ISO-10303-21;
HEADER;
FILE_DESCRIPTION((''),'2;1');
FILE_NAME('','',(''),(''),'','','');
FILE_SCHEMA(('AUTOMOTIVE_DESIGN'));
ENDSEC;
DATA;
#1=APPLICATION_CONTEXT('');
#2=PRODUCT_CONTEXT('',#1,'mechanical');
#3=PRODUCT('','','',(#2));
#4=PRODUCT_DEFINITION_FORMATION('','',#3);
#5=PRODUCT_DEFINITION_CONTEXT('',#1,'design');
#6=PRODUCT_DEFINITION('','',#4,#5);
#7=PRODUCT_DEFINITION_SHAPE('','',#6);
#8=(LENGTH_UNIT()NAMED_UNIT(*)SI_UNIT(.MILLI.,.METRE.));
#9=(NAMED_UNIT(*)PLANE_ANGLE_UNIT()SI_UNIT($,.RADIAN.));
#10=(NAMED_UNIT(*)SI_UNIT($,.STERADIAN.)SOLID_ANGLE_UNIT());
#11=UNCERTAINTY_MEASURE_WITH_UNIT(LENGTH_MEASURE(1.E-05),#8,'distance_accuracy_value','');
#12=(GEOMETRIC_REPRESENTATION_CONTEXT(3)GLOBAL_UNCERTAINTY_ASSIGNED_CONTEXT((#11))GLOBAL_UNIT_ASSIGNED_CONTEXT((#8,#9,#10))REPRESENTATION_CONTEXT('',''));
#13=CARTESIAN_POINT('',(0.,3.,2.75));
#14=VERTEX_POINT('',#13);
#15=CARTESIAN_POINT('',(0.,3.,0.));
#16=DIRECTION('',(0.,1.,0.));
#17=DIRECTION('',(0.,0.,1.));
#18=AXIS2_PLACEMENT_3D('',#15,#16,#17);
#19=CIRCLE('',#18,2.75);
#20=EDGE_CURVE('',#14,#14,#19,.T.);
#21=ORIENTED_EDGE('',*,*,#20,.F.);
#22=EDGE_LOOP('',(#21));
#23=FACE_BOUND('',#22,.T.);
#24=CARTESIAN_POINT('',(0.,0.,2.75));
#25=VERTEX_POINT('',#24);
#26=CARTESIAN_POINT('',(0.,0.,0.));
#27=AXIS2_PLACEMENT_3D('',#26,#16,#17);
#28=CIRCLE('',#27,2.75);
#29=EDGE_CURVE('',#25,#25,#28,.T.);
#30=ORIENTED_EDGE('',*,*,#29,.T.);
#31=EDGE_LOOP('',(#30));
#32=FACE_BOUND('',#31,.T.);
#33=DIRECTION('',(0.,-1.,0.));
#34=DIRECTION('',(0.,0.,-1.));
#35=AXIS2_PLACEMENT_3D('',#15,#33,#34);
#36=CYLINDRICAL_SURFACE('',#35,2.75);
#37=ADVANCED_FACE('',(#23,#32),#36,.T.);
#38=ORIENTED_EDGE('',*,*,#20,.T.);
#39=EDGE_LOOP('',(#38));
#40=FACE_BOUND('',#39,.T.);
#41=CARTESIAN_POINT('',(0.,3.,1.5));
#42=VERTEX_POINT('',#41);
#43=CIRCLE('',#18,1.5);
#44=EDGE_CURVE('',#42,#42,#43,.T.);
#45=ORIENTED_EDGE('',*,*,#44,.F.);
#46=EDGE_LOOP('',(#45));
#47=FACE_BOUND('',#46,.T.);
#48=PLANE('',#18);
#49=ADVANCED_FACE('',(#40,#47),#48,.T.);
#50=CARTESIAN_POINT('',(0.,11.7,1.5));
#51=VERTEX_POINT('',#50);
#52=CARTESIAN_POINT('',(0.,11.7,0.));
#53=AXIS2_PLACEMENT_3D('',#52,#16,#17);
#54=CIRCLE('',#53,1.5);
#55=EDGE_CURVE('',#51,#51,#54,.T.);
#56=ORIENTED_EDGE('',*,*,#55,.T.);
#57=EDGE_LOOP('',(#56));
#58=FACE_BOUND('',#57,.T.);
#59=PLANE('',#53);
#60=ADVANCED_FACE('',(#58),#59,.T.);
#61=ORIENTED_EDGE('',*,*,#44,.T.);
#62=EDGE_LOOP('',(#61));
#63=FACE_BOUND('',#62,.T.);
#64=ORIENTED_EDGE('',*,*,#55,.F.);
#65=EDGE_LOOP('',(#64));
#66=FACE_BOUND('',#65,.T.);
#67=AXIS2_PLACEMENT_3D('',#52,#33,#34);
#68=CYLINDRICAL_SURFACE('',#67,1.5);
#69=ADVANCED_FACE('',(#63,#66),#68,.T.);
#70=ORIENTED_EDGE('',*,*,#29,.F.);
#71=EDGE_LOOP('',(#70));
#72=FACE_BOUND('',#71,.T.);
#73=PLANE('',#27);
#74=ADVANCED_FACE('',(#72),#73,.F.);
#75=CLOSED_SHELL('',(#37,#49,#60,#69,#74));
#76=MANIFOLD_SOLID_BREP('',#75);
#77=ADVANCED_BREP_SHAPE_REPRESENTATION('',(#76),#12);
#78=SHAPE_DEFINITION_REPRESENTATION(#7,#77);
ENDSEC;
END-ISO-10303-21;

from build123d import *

# Parameters (mm, degrees)
SKETCH1_R           = 2.75
BOSS_EXTRUDE1_DEPTH = 3
SKETCH2_R           = 1.5
BOSS_EXTRUDE2_DEPTH = 8.7


with BuildPart() as part:
    # Sketch1 → Boss-Extrude1 (new body)
    with BuildSketch(Plane(origin=(0, 0, 0), x_dir=(1, 0, 0), z_dir=(0, 1, 0))):
        Circle(SKETCH1_R)
    extrude(amount=BOSS_EXTRUDE1_DEPTH)

    # Sketch2 → Boss-Extrude2 (add)
    with BuildSketch(Plane(origin=(0, 3, 0), x_dir=(1, 0, 0), z_dir=(0, 1, 0))):
        Circle(SKETCH2_R)
    extrude(amount=BOSS_EXTRUDE2_DEPTH)


solid = part.part
